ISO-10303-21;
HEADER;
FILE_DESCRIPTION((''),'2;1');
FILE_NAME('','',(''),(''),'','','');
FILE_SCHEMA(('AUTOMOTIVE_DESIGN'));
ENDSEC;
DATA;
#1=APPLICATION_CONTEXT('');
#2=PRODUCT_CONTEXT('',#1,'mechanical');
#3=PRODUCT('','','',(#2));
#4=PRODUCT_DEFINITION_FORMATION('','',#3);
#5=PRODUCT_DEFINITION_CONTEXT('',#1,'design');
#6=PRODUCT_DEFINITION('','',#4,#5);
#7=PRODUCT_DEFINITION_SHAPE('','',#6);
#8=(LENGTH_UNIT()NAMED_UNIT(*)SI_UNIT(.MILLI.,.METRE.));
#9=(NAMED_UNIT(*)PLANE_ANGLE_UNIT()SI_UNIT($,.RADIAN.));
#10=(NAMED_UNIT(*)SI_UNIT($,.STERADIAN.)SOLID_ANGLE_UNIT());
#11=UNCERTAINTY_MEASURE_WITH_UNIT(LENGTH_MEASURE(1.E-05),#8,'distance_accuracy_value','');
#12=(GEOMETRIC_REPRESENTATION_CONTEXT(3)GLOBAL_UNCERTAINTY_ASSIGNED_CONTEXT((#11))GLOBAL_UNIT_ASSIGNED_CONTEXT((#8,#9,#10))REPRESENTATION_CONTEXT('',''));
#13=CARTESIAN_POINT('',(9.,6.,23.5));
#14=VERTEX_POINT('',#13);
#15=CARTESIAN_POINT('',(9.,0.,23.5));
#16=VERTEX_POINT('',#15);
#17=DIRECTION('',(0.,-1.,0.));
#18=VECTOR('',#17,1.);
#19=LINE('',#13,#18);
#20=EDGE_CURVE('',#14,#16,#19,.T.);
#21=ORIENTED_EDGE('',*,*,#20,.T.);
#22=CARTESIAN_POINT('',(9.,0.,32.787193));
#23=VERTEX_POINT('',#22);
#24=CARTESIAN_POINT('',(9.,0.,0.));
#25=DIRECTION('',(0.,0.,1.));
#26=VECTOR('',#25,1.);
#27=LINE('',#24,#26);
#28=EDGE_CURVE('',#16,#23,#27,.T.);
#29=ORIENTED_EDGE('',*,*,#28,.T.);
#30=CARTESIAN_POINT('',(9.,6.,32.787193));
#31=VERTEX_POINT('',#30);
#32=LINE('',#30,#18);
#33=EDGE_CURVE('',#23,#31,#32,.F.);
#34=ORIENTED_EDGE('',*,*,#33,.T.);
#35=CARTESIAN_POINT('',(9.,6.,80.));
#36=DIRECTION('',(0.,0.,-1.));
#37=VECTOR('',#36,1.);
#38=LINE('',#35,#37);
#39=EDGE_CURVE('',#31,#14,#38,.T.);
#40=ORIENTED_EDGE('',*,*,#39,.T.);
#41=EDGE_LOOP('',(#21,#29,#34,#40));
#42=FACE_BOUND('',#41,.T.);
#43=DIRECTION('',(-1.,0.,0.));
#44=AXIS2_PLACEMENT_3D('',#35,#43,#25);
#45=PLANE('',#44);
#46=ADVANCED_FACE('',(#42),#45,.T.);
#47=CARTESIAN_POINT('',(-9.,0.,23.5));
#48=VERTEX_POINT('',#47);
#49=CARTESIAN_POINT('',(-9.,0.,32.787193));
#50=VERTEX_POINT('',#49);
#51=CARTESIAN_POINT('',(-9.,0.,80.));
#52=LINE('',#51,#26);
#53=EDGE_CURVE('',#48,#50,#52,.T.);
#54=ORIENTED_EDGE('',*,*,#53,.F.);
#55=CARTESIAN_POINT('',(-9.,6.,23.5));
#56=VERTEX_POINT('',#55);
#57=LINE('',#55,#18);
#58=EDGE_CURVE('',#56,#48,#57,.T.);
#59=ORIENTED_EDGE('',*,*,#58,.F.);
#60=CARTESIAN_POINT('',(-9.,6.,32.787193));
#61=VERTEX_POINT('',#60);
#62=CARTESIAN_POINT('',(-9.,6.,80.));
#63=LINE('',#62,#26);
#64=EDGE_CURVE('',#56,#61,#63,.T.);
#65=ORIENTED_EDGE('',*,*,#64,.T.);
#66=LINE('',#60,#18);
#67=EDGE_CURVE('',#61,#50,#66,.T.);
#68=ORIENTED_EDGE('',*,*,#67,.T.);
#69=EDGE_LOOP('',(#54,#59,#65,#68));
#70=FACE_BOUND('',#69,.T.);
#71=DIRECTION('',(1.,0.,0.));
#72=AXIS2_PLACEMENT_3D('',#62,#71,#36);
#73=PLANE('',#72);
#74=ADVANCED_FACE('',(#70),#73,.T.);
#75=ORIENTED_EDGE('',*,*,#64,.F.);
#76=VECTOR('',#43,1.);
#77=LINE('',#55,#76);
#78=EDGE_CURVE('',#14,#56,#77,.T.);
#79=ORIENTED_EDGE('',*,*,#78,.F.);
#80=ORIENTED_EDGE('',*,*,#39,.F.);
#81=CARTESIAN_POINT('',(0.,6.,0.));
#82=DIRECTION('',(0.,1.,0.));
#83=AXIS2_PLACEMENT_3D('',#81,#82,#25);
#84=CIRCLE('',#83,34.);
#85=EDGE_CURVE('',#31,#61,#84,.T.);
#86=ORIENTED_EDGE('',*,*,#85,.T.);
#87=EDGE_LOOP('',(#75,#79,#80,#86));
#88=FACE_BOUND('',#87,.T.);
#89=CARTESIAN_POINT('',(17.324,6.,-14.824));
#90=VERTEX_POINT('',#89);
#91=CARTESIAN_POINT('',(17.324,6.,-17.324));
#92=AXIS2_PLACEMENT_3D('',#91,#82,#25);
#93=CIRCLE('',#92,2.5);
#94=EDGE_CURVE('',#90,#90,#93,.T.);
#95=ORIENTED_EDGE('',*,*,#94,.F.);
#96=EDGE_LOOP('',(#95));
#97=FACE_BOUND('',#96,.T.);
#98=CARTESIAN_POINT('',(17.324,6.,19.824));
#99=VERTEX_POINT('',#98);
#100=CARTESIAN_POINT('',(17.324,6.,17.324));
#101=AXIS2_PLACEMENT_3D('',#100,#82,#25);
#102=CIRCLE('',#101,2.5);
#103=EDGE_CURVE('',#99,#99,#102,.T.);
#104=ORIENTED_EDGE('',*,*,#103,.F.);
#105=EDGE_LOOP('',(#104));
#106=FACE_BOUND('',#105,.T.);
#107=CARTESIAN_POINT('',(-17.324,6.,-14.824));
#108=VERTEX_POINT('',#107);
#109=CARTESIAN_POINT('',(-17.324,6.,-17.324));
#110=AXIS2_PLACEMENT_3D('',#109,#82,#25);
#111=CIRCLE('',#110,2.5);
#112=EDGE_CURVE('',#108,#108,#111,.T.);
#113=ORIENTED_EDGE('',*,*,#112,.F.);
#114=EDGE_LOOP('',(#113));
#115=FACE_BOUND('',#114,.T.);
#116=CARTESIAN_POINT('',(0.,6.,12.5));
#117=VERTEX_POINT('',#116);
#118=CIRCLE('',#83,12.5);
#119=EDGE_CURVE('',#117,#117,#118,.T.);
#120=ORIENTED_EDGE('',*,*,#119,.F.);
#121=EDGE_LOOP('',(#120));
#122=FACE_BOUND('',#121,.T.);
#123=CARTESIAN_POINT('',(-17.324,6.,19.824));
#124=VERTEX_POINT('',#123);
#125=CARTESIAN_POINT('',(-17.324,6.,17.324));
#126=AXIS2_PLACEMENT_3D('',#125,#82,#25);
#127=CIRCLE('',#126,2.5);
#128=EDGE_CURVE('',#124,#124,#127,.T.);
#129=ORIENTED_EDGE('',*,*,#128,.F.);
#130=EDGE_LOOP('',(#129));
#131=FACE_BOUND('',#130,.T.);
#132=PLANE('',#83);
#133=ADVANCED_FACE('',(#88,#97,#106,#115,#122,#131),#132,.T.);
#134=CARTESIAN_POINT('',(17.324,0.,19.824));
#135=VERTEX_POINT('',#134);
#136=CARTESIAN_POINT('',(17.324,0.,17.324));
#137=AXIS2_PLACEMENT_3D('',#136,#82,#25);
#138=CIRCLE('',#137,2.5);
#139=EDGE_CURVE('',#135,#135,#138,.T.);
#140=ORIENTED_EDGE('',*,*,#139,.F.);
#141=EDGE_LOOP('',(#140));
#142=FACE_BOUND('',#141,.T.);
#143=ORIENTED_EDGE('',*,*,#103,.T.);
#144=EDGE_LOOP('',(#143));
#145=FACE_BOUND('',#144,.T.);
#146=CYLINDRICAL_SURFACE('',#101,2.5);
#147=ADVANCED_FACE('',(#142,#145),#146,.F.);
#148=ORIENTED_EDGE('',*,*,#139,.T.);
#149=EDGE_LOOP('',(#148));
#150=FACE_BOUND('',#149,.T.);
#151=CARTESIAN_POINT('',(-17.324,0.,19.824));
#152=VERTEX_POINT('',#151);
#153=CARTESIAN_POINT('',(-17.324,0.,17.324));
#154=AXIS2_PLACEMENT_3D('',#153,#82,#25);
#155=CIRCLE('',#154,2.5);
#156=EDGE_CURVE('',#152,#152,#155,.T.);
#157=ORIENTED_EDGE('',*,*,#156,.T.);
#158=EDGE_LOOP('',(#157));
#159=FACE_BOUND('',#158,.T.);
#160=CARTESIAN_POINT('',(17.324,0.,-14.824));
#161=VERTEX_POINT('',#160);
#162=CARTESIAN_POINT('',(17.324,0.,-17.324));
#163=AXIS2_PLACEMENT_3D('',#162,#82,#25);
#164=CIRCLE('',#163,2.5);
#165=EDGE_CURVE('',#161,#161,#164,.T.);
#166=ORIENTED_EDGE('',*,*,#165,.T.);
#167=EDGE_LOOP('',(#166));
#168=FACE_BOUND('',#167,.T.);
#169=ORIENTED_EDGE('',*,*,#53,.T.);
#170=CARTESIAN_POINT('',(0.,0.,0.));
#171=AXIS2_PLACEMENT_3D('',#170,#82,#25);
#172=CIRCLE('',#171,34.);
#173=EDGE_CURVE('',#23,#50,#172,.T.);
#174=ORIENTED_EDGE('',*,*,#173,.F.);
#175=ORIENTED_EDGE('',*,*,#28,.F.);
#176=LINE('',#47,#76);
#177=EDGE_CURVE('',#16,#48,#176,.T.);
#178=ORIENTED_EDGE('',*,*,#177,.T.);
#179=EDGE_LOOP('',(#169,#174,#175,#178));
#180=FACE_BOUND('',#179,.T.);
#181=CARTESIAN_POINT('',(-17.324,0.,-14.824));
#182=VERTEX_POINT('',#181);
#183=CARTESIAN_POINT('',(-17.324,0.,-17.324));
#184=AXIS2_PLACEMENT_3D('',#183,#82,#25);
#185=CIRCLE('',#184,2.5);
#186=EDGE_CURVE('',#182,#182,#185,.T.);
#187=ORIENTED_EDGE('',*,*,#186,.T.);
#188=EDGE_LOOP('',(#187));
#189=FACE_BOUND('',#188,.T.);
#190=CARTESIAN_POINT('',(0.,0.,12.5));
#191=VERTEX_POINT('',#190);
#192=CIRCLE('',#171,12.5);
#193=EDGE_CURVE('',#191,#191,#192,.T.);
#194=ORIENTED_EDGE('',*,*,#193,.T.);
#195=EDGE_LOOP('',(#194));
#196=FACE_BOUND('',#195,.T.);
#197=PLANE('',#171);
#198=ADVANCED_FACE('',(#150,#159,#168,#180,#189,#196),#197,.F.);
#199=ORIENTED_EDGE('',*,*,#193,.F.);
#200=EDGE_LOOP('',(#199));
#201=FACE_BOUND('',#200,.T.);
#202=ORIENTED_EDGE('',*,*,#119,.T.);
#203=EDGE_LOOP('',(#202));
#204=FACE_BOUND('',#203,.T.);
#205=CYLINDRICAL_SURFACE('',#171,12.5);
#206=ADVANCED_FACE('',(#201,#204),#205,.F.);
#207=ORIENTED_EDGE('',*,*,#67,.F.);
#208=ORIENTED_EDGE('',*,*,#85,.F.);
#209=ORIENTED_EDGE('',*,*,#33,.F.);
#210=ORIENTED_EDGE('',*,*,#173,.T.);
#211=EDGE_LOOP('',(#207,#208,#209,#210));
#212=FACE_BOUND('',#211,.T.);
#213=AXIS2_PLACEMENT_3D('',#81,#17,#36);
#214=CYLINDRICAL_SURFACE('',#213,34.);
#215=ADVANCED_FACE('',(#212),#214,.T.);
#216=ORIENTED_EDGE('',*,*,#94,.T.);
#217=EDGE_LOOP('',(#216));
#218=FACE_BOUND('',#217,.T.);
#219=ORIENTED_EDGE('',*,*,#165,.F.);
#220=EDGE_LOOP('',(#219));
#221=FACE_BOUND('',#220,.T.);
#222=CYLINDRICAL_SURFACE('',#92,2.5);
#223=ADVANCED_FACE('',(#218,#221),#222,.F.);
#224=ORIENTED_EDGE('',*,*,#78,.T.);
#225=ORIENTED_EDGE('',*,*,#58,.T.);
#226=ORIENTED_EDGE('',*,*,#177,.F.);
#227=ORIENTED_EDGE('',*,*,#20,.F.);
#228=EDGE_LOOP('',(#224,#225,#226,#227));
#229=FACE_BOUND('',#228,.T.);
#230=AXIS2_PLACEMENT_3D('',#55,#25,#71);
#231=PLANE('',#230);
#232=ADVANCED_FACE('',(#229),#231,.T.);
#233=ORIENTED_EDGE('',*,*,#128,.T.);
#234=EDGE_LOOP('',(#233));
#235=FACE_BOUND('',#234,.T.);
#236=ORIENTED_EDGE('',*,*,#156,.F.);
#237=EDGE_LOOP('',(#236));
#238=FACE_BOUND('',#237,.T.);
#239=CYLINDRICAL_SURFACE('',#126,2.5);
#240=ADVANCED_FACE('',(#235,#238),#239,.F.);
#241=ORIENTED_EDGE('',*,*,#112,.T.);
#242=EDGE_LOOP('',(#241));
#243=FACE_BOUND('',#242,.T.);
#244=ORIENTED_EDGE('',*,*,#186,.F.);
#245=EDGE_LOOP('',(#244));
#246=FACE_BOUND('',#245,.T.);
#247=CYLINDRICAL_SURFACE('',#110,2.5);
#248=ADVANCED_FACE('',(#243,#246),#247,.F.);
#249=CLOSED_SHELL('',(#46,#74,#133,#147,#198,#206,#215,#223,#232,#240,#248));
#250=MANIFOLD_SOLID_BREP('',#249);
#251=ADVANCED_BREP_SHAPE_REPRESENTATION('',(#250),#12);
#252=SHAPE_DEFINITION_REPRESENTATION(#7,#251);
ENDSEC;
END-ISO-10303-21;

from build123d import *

# Parameters (mm, degrees)
SKETCH1_R           = 34
BOSS_EXTRUDE1_DEPTH = 6
CIRPATTERN1_COUNT   = 4
SKETCH5_R           = 12.5
CUT_EXTRUDE1_DEPTH  = 49.456165758
SKETCH7_W           = 18
SKETCH7_H           = 56.5
CUT_EXTRUDE4_DEPTH  = 49.456165758


with BuildPart() as part:
    # Sketch1 → Boss-Extrude1 (new body)
    with BuildSketch(Plane(origin=(0, 0, 0), x_dir=(1, 0, 0), z_dir=(0, 1, 0))):
        Circle(SKETCH1_R)
    extrude(amount=BOSS_EXTRUDE1_DEPTH)

    # Sketch3 → Hole1 (revolve, cut)
    with BuildSketch(Plane(origin=(17.324, 6, -17.324), x_dir=(0, 0, 1), z_dir=(1, 0, 0))):
        Polygon((0, 0), (0, 11.502151548), (2.5, 10), (2.5, 0), align=None)
    hole1 = revolve(axis=Axis((17.324, 12.35, -17.324), (0, -1, 0)), mode=Mode.SUBTRACT)

    # CirPattern1: Hole1 ×4 about axis
    cirpattern1_axis = Axis((0, 50, 0), (0, -1, 0))
    for i in range(1, CIRPATTERN1_COUNT):
        add(hole1.rotate(cirpattern1_axis, i * 360 / CIRPATTERN1_COUNT), mode=Mode.SUBTRACT)

    # Sketch5 → Cut-Extrude1 (cut, through all)
    with BuildSketch(Plane(origin=(0, 6, 0), x_dir=(1, 0, 0), z_dir=(0, 1, 0))):
        Circle(SKETCH5_R)
    extrude(amount=-CUT_EXTRUDE1_DEPTH, mode=Mode.SUBTRACT)

    # Sketch7 → Cut-Extrude4 (cut, through all)
    with BuildSketch(Plane(origin=(0, 0, 0), x_dir=(1, 0, 0), z_dir=(0, 1, 0))):
        with Locations((0, -51.75)):
            Rectangle(SKETCH7_W, SKETCH7_H)
    extrude(amount=CUT_EXTRUDE4_DEPTH, mode=Mode.SUBTRACT)


solid = part.part
